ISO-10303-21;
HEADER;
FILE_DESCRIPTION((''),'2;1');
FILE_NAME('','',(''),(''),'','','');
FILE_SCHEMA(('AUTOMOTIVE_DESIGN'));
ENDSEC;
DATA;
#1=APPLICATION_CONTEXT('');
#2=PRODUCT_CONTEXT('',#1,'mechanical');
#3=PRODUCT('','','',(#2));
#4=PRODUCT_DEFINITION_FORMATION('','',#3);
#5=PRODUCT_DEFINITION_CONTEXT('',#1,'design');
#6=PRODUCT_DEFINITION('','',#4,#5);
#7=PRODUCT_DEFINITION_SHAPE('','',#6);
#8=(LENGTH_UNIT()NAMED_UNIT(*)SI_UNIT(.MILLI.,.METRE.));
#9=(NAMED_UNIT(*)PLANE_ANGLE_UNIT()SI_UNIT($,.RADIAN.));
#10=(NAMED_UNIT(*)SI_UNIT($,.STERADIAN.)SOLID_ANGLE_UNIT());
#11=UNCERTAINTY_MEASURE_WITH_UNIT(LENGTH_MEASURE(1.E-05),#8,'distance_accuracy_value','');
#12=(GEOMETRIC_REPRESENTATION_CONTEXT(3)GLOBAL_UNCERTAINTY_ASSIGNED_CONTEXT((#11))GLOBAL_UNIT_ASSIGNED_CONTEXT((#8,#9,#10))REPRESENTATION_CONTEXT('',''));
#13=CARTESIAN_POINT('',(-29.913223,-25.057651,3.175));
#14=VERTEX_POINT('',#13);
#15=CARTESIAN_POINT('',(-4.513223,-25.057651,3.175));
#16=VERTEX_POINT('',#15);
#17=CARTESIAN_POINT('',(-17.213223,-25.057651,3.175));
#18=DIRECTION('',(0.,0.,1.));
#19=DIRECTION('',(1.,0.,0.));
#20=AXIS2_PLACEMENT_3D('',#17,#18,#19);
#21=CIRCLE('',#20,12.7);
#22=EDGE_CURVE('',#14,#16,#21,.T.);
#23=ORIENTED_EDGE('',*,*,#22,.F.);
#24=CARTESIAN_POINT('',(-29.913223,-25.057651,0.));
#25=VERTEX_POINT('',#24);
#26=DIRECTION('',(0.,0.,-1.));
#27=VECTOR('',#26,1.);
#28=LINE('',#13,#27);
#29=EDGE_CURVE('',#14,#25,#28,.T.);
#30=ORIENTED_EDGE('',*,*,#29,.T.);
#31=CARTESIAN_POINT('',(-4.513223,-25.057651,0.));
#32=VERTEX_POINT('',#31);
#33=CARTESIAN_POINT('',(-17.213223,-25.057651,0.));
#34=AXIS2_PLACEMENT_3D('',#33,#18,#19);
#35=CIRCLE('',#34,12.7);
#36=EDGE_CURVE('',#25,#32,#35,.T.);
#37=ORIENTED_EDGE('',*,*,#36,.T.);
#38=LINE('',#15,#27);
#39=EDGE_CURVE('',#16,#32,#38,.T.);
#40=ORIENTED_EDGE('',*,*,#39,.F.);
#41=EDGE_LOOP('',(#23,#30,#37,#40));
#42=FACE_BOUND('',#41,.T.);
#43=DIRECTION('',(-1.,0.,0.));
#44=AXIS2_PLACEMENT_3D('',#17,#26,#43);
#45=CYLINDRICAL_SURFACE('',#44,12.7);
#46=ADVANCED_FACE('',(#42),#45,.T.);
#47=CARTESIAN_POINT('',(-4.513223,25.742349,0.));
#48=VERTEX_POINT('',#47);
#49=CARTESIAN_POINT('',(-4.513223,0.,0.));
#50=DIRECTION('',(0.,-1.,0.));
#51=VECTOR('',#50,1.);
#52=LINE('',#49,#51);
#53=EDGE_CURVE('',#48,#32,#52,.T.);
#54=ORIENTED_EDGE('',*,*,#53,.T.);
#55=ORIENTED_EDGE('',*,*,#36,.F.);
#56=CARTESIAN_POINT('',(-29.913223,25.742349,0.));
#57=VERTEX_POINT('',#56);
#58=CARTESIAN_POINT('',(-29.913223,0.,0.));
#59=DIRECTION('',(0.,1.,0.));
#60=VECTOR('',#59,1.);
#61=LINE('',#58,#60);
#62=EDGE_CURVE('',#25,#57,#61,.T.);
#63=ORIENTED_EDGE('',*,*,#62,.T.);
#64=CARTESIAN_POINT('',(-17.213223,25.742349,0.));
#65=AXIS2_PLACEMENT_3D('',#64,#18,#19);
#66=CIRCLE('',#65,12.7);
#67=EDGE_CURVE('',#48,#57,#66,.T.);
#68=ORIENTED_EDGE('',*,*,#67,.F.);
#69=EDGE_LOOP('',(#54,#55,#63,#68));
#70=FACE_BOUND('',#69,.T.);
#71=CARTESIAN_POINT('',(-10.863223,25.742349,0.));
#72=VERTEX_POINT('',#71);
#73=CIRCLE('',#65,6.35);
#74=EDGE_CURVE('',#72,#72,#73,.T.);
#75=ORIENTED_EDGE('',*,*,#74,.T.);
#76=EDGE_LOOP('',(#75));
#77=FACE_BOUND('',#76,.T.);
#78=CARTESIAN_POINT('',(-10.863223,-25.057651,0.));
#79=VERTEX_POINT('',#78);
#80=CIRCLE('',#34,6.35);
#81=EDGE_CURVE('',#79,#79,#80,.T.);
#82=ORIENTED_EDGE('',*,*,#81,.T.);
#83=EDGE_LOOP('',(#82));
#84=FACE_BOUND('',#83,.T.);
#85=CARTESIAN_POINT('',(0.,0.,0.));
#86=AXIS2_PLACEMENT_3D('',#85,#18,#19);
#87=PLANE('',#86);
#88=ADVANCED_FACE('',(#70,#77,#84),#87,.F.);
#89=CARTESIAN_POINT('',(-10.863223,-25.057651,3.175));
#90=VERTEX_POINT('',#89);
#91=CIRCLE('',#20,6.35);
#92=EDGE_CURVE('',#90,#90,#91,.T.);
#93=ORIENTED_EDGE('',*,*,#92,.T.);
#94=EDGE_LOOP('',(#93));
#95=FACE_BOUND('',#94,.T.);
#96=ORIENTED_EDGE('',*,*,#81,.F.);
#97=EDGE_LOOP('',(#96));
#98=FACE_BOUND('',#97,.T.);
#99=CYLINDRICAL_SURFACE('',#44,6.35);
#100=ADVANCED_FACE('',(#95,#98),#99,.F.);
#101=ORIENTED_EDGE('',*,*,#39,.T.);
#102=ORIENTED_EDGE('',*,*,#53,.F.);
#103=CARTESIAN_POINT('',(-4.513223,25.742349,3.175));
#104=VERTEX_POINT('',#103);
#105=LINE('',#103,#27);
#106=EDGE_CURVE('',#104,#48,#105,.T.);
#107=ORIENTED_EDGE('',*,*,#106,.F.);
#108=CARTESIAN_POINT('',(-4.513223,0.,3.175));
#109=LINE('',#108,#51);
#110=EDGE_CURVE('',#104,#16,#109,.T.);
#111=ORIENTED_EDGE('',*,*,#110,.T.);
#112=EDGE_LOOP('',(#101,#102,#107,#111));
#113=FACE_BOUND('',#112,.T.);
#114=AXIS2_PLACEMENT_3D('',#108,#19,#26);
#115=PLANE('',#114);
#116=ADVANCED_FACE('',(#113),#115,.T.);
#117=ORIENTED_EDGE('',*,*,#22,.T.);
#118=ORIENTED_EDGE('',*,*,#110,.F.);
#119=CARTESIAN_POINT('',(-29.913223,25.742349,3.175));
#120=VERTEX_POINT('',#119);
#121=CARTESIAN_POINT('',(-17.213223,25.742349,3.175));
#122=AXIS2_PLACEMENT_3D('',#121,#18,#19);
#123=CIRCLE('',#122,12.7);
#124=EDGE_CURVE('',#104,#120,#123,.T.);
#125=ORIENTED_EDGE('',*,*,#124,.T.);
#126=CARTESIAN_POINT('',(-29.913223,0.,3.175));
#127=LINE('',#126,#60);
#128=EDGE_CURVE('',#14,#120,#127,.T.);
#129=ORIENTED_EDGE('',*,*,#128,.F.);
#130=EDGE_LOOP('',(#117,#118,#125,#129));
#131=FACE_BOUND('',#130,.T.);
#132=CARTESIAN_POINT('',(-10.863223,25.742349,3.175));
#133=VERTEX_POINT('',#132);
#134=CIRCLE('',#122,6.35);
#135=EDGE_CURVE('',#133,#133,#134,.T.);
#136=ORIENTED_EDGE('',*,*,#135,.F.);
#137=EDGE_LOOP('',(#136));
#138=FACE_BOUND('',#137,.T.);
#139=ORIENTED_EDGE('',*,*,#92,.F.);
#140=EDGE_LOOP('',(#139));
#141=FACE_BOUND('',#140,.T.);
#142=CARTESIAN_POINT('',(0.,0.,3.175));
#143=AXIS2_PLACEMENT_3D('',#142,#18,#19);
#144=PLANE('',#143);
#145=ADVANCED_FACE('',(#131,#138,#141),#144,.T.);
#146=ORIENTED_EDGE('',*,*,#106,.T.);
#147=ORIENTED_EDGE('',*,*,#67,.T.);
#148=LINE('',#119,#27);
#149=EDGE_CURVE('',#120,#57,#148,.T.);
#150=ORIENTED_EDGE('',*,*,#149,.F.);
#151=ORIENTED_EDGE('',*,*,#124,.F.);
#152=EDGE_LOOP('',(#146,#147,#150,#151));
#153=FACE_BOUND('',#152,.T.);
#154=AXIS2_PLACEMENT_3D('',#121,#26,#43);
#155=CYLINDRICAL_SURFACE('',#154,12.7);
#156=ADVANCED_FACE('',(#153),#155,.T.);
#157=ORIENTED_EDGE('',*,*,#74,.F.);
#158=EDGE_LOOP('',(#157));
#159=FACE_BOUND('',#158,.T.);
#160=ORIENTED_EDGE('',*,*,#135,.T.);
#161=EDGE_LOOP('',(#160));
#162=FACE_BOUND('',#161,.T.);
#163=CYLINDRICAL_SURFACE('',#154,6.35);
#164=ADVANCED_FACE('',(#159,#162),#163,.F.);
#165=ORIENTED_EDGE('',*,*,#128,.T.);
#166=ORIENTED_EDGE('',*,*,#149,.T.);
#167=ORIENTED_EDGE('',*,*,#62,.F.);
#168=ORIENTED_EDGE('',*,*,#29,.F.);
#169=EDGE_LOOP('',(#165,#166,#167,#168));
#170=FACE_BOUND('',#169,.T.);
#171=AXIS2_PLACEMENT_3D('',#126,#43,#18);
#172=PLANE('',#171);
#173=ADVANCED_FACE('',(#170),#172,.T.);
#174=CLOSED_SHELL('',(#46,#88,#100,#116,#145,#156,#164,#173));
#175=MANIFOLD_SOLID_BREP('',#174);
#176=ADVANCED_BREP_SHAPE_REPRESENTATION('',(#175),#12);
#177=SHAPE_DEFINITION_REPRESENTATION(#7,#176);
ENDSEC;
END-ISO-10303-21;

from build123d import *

# Parameters (mm, degrees)
SKETCH1_R           = 12.7
SKETCH1_R_2         = 6.35
BOSS_EXTRUDE1_DEPTH = 3.175


with BuildPart() as part:
    # Sketch1 → Boss-Extrude1 (new body)
    with BuildSketch(Plane.XY):
        with Locations((-17.213222871, 25.742348898)):
            Circle(SKETCH1_R)
        with Locations((-17.213222871, 25.742348898)):
            Circle(SKETCH1_R_2, mode=Mode.SUBTRACT)
        with BuildLine():
            Line((-29.913222871, 25.742348898), (-29.913222871, -25.057651102))
            ThreePointArc((-29.913222871, -25.057651102), (-17.213222871, -12.357651102), (-4.513222871, -25.057651102))
            Line((-4.513222871, -25.057651102), (-4.513222871, 25.742348898))
            ThreePointArc((-4.513222871, 25.742348898), (-17.213222871, 13.042348898), (-29.913222871, 25.742348898))
        make_face()
        with Locations((-17.213222871, -25.057651102)):
            Circle(SKETCH1_R)
        with Locations((-17.213222871, -25.057651102)):
            Circle(SKETCH1_R_2, mode=Mode.SUBTRACT)
    extrude(amount=BOSS_EXTRUDE1_DEPTH)


solid = part.part
